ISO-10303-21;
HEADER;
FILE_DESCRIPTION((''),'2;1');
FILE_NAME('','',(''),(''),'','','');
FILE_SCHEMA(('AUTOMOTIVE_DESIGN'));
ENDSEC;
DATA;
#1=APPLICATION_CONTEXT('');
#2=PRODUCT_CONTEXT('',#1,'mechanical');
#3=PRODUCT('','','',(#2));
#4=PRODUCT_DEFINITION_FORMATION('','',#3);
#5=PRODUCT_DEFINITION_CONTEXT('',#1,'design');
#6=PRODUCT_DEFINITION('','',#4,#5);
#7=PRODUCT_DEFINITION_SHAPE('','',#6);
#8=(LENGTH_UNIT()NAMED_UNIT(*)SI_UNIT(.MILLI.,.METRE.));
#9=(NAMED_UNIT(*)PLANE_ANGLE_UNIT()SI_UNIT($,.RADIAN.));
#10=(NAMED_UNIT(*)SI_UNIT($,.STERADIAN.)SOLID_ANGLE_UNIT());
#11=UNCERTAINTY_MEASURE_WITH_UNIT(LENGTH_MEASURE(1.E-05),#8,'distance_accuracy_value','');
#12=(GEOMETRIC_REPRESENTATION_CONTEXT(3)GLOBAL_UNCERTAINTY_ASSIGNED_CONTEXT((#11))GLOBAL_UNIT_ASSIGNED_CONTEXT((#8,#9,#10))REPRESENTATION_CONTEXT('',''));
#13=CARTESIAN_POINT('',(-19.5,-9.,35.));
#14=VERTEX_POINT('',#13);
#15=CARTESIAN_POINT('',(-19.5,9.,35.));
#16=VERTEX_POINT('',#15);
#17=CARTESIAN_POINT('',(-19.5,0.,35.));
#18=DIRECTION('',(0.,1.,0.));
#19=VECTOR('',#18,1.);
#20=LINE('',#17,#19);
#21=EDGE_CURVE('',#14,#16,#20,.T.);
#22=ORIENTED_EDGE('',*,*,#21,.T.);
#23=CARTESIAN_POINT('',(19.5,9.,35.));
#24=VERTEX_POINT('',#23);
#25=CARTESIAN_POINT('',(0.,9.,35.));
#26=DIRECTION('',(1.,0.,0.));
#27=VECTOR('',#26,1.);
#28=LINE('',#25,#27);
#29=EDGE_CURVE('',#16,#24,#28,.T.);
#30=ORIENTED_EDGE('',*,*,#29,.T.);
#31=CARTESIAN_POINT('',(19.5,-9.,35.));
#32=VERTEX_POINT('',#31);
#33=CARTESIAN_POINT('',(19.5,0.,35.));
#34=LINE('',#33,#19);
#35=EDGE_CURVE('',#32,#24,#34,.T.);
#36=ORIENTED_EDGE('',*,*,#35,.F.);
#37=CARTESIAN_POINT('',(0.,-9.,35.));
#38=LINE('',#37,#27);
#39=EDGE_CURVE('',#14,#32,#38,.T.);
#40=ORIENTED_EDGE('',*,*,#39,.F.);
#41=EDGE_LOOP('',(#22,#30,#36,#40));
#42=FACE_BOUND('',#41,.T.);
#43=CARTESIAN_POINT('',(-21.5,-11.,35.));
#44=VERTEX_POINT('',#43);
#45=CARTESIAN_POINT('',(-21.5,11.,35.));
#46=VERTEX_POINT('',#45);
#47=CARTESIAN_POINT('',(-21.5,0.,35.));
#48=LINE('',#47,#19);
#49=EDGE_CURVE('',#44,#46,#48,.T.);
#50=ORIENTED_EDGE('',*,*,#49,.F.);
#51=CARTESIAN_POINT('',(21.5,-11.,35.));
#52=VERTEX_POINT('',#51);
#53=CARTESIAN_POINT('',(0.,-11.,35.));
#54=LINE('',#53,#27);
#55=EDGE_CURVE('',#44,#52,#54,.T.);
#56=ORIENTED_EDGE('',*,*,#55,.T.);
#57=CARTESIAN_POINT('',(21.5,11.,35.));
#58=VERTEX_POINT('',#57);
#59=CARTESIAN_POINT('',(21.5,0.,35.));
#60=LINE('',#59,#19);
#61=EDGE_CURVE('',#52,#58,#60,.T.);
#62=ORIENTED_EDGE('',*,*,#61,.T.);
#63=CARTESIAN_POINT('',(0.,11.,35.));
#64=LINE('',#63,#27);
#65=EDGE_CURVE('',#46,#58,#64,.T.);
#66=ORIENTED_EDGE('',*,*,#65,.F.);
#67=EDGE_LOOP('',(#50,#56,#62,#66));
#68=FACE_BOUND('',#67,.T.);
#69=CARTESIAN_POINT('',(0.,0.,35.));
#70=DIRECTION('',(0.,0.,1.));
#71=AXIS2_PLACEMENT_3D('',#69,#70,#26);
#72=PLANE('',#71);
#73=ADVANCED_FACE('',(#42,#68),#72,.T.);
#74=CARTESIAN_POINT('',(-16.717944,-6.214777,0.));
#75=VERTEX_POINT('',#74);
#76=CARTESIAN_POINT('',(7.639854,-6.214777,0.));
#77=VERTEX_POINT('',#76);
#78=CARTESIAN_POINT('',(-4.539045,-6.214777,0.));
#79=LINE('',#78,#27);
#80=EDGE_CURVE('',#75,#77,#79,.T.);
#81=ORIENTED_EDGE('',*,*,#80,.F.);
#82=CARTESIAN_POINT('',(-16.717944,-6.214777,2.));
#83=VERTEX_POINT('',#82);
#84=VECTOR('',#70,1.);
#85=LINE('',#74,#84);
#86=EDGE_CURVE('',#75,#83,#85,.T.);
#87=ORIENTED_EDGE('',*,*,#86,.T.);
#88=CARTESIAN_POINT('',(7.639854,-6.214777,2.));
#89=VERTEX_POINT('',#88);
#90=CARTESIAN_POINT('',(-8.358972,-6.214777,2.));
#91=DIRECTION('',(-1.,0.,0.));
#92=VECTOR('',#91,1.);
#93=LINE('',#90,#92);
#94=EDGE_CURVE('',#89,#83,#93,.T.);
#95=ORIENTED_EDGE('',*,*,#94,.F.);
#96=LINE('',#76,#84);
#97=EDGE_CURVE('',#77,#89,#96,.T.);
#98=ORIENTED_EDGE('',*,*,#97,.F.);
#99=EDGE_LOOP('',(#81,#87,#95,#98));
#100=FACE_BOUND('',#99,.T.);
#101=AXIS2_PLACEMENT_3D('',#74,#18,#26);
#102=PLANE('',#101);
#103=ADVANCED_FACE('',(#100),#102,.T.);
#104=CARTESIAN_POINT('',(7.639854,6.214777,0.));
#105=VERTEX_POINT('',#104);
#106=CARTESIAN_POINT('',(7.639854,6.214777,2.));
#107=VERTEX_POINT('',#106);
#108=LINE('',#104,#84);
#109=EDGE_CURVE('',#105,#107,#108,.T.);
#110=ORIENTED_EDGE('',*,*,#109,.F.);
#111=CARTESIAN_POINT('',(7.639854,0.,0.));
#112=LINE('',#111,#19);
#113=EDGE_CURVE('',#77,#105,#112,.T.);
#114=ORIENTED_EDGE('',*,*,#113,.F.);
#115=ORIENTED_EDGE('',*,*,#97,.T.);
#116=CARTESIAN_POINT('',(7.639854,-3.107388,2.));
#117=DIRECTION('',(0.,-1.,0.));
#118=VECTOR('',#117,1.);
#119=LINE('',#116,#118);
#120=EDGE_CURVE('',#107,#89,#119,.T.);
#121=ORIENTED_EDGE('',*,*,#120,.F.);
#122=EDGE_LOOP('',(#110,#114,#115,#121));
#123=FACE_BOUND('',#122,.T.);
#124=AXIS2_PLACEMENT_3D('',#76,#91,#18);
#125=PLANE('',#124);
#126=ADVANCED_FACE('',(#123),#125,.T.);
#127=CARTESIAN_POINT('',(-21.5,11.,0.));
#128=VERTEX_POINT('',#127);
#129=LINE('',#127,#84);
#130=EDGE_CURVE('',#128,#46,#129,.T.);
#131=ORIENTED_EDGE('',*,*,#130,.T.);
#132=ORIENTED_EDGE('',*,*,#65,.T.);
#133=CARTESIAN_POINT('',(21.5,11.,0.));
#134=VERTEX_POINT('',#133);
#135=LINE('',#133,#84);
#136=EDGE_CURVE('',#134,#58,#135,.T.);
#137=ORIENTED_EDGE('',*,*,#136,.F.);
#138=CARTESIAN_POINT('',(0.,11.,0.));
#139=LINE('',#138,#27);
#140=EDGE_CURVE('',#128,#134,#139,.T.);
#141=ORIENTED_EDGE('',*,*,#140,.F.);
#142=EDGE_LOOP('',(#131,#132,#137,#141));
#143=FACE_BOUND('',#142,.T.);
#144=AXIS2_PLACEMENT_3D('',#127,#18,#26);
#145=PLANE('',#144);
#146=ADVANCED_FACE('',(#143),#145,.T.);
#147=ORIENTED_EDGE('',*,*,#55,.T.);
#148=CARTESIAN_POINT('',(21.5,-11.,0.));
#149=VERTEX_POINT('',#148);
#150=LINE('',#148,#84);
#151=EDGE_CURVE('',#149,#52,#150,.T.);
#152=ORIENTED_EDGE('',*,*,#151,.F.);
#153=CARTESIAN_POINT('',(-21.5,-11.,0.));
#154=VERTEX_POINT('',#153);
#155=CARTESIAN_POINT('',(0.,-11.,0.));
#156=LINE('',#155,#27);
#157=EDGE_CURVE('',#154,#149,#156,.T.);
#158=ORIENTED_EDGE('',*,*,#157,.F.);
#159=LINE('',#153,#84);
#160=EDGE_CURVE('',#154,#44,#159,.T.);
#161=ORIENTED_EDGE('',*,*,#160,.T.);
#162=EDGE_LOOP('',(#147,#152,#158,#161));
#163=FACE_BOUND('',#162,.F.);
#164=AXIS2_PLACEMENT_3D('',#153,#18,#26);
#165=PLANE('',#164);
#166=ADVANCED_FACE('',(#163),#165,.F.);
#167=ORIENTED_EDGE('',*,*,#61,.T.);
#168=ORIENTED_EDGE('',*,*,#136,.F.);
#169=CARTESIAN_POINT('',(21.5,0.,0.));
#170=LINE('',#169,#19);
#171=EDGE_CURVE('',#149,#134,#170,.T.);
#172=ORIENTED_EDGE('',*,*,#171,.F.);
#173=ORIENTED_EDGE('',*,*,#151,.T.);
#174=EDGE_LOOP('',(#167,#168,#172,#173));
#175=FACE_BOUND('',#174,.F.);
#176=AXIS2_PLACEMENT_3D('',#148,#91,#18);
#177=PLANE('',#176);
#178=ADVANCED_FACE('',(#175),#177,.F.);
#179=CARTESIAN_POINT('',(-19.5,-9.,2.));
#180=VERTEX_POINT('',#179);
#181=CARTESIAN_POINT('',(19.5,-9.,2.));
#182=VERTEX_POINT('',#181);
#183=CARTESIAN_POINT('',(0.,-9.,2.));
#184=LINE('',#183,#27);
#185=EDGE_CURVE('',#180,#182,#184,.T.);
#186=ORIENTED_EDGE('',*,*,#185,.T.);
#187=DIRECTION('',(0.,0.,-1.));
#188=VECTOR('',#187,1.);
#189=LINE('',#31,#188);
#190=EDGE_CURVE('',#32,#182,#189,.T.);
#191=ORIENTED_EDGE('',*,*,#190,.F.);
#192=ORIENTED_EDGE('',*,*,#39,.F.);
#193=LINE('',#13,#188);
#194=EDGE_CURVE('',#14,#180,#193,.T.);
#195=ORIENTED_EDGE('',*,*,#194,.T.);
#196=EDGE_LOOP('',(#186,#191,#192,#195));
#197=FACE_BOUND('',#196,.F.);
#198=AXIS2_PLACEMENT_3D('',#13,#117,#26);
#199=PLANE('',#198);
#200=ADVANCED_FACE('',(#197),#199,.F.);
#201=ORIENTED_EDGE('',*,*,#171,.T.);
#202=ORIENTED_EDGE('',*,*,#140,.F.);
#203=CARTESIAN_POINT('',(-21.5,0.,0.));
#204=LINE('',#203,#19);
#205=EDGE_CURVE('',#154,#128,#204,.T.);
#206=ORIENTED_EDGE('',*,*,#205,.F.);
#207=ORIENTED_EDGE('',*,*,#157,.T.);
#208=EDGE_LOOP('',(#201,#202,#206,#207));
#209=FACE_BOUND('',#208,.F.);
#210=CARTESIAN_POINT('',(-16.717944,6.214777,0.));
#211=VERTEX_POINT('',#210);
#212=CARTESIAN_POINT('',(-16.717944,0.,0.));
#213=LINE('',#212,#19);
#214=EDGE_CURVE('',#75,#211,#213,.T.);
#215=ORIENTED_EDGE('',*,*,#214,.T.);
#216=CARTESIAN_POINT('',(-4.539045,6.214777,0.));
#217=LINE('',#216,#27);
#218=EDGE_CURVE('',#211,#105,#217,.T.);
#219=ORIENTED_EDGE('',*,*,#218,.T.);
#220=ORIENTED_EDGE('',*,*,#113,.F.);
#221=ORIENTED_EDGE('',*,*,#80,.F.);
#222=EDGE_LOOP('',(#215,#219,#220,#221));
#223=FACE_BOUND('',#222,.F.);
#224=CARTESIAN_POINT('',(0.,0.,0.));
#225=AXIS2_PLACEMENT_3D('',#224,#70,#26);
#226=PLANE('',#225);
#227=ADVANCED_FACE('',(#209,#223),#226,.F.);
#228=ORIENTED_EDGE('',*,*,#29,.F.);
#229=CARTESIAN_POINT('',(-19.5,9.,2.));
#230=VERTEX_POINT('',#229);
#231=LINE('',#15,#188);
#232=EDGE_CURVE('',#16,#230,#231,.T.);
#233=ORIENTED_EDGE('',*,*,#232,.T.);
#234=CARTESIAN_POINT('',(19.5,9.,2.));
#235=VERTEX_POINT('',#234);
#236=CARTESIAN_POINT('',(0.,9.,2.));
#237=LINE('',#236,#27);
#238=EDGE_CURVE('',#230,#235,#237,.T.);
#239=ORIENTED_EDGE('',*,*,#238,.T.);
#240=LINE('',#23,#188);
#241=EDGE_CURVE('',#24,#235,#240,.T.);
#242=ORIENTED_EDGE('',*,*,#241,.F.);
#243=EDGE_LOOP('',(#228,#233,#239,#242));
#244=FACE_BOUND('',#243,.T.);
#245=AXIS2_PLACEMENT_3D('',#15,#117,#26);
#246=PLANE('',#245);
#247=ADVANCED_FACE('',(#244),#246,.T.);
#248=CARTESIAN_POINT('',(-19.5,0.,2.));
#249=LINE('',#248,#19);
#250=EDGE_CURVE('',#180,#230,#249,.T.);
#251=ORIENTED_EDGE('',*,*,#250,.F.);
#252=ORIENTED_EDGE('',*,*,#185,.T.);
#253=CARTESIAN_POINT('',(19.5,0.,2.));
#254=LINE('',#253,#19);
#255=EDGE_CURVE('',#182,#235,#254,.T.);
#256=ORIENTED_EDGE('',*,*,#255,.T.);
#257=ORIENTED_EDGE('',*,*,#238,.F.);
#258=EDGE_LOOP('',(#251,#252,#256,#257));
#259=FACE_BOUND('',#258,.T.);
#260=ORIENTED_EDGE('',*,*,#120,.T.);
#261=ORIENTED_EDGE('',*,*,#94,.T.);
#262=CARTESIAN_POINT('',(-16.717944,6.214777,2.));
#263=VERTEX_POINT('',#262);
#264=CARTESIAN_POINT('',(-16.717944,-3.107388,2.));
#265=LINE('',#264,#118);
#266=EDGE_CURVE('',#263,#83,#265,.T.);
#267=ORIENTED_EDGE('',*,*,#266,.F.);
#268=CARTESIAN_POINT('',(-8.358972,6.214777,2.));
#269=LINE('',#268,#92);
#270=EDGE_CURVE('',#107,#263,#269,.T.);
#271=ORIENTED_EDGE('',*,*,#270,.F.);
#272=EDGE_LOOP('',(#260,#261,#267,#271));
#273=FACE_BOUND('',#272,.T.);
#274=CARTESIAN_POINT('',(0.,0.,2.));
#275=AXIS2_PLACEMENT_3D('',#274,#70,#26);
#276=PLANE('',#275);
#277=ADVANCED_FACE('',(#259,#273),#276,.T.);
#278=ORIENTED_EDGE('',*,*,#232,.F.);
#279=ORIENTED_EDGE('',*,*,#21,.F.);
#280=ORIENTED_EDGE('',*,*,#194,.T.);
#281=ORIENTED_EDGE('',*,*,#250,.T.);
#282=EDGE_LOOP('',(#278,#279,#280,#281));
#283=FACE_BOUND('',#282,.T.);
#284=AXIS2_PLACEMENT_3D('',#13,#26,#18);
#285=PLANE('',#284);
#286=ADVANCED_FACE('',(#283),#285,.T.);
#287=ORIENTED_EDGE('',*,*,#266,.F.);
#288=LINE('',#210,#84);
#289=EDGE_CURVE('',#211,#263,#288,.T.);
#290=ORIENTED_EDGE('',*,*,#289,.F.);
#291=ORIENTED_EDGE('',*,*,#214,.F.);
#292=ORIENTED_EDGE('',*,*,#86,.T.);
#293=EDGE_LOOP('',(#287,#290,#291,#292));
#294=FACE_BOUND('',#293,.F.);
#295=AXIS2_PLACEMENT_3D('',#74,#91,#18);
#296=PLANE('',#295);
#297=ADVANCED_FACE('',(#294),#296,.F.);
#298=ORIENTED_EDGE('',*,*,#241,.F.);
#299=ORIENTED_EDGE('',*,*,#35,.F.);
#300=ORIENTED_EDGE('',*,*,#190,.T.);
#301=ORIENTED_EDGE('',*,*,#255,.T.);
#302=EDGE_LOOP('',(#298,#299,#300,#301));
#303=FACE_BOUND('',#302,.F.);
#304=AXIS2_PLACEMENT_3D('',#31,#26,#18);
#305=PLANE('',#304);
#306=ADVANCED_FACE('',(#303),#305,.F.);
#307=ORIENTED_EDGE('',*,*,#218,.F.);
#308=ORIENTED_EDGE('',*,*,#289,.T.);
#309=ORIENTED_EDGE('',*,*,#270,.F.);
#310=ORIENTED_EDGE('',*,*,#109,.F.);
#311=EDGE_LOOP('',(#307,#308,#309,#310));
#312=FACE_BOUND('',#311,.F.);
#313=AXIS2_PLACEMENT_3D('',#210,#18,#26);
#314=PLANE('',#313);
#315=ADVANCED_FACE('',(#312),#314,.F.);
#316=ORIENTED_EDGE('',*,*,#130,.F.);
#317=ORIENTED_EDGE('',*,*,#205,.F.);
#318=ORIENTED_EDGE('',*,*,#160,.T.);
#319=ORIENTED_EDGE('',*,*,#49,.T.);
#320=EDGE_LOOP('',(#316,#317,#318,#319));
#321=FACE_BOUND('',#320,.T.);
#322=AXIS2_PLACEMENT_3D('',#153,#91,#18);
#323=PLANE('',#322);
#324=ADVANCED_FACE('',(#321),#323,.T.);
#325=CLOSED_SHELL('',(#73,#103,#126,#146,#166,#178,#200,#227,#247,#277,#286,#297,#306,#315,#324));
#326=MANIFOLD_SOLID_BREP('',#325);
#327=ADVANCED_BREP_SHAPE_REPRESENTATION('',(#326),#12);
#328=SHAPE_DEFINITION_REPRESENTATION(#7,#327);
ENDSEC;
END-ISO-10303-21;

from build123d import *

# Parameters (mm, degrees)
F0_W     = 43
F0_H     = 22
F1_DEPTH = 35
F2_W     = 39
F2_H     = 18
F3_DEPTH = 33
F4_W     = 24.357798
F4_H     = 12.429554
F5_DEPTH = 25


with BuildPart() as f1:
    # F0 (on Top) → F1 (new body)
    with BuildSketch(Plane.XY):
        Rectangle(F0_W, F0_H)
    extrude(amount=F1_DEPTH)

    # F2 (on face) → F3 (cut)
    with BuildSketch(Plane.XY.offset(35)):
        Rectangle(F2_W, F2_H)
    extrude(amount=-F3_DEPTH, mode=Mode.SUBTRACT)

    # F4 (on Top) → F5 (cut)
    with BuildSketch(Plane.XY):
        with Locations((-4.539045, 0)):
            Rectangle(F4_W, F4_H)
    extrude(amount=F5_DEPTH, mode=Mode.SUBTRACT)


solid = f1.part
